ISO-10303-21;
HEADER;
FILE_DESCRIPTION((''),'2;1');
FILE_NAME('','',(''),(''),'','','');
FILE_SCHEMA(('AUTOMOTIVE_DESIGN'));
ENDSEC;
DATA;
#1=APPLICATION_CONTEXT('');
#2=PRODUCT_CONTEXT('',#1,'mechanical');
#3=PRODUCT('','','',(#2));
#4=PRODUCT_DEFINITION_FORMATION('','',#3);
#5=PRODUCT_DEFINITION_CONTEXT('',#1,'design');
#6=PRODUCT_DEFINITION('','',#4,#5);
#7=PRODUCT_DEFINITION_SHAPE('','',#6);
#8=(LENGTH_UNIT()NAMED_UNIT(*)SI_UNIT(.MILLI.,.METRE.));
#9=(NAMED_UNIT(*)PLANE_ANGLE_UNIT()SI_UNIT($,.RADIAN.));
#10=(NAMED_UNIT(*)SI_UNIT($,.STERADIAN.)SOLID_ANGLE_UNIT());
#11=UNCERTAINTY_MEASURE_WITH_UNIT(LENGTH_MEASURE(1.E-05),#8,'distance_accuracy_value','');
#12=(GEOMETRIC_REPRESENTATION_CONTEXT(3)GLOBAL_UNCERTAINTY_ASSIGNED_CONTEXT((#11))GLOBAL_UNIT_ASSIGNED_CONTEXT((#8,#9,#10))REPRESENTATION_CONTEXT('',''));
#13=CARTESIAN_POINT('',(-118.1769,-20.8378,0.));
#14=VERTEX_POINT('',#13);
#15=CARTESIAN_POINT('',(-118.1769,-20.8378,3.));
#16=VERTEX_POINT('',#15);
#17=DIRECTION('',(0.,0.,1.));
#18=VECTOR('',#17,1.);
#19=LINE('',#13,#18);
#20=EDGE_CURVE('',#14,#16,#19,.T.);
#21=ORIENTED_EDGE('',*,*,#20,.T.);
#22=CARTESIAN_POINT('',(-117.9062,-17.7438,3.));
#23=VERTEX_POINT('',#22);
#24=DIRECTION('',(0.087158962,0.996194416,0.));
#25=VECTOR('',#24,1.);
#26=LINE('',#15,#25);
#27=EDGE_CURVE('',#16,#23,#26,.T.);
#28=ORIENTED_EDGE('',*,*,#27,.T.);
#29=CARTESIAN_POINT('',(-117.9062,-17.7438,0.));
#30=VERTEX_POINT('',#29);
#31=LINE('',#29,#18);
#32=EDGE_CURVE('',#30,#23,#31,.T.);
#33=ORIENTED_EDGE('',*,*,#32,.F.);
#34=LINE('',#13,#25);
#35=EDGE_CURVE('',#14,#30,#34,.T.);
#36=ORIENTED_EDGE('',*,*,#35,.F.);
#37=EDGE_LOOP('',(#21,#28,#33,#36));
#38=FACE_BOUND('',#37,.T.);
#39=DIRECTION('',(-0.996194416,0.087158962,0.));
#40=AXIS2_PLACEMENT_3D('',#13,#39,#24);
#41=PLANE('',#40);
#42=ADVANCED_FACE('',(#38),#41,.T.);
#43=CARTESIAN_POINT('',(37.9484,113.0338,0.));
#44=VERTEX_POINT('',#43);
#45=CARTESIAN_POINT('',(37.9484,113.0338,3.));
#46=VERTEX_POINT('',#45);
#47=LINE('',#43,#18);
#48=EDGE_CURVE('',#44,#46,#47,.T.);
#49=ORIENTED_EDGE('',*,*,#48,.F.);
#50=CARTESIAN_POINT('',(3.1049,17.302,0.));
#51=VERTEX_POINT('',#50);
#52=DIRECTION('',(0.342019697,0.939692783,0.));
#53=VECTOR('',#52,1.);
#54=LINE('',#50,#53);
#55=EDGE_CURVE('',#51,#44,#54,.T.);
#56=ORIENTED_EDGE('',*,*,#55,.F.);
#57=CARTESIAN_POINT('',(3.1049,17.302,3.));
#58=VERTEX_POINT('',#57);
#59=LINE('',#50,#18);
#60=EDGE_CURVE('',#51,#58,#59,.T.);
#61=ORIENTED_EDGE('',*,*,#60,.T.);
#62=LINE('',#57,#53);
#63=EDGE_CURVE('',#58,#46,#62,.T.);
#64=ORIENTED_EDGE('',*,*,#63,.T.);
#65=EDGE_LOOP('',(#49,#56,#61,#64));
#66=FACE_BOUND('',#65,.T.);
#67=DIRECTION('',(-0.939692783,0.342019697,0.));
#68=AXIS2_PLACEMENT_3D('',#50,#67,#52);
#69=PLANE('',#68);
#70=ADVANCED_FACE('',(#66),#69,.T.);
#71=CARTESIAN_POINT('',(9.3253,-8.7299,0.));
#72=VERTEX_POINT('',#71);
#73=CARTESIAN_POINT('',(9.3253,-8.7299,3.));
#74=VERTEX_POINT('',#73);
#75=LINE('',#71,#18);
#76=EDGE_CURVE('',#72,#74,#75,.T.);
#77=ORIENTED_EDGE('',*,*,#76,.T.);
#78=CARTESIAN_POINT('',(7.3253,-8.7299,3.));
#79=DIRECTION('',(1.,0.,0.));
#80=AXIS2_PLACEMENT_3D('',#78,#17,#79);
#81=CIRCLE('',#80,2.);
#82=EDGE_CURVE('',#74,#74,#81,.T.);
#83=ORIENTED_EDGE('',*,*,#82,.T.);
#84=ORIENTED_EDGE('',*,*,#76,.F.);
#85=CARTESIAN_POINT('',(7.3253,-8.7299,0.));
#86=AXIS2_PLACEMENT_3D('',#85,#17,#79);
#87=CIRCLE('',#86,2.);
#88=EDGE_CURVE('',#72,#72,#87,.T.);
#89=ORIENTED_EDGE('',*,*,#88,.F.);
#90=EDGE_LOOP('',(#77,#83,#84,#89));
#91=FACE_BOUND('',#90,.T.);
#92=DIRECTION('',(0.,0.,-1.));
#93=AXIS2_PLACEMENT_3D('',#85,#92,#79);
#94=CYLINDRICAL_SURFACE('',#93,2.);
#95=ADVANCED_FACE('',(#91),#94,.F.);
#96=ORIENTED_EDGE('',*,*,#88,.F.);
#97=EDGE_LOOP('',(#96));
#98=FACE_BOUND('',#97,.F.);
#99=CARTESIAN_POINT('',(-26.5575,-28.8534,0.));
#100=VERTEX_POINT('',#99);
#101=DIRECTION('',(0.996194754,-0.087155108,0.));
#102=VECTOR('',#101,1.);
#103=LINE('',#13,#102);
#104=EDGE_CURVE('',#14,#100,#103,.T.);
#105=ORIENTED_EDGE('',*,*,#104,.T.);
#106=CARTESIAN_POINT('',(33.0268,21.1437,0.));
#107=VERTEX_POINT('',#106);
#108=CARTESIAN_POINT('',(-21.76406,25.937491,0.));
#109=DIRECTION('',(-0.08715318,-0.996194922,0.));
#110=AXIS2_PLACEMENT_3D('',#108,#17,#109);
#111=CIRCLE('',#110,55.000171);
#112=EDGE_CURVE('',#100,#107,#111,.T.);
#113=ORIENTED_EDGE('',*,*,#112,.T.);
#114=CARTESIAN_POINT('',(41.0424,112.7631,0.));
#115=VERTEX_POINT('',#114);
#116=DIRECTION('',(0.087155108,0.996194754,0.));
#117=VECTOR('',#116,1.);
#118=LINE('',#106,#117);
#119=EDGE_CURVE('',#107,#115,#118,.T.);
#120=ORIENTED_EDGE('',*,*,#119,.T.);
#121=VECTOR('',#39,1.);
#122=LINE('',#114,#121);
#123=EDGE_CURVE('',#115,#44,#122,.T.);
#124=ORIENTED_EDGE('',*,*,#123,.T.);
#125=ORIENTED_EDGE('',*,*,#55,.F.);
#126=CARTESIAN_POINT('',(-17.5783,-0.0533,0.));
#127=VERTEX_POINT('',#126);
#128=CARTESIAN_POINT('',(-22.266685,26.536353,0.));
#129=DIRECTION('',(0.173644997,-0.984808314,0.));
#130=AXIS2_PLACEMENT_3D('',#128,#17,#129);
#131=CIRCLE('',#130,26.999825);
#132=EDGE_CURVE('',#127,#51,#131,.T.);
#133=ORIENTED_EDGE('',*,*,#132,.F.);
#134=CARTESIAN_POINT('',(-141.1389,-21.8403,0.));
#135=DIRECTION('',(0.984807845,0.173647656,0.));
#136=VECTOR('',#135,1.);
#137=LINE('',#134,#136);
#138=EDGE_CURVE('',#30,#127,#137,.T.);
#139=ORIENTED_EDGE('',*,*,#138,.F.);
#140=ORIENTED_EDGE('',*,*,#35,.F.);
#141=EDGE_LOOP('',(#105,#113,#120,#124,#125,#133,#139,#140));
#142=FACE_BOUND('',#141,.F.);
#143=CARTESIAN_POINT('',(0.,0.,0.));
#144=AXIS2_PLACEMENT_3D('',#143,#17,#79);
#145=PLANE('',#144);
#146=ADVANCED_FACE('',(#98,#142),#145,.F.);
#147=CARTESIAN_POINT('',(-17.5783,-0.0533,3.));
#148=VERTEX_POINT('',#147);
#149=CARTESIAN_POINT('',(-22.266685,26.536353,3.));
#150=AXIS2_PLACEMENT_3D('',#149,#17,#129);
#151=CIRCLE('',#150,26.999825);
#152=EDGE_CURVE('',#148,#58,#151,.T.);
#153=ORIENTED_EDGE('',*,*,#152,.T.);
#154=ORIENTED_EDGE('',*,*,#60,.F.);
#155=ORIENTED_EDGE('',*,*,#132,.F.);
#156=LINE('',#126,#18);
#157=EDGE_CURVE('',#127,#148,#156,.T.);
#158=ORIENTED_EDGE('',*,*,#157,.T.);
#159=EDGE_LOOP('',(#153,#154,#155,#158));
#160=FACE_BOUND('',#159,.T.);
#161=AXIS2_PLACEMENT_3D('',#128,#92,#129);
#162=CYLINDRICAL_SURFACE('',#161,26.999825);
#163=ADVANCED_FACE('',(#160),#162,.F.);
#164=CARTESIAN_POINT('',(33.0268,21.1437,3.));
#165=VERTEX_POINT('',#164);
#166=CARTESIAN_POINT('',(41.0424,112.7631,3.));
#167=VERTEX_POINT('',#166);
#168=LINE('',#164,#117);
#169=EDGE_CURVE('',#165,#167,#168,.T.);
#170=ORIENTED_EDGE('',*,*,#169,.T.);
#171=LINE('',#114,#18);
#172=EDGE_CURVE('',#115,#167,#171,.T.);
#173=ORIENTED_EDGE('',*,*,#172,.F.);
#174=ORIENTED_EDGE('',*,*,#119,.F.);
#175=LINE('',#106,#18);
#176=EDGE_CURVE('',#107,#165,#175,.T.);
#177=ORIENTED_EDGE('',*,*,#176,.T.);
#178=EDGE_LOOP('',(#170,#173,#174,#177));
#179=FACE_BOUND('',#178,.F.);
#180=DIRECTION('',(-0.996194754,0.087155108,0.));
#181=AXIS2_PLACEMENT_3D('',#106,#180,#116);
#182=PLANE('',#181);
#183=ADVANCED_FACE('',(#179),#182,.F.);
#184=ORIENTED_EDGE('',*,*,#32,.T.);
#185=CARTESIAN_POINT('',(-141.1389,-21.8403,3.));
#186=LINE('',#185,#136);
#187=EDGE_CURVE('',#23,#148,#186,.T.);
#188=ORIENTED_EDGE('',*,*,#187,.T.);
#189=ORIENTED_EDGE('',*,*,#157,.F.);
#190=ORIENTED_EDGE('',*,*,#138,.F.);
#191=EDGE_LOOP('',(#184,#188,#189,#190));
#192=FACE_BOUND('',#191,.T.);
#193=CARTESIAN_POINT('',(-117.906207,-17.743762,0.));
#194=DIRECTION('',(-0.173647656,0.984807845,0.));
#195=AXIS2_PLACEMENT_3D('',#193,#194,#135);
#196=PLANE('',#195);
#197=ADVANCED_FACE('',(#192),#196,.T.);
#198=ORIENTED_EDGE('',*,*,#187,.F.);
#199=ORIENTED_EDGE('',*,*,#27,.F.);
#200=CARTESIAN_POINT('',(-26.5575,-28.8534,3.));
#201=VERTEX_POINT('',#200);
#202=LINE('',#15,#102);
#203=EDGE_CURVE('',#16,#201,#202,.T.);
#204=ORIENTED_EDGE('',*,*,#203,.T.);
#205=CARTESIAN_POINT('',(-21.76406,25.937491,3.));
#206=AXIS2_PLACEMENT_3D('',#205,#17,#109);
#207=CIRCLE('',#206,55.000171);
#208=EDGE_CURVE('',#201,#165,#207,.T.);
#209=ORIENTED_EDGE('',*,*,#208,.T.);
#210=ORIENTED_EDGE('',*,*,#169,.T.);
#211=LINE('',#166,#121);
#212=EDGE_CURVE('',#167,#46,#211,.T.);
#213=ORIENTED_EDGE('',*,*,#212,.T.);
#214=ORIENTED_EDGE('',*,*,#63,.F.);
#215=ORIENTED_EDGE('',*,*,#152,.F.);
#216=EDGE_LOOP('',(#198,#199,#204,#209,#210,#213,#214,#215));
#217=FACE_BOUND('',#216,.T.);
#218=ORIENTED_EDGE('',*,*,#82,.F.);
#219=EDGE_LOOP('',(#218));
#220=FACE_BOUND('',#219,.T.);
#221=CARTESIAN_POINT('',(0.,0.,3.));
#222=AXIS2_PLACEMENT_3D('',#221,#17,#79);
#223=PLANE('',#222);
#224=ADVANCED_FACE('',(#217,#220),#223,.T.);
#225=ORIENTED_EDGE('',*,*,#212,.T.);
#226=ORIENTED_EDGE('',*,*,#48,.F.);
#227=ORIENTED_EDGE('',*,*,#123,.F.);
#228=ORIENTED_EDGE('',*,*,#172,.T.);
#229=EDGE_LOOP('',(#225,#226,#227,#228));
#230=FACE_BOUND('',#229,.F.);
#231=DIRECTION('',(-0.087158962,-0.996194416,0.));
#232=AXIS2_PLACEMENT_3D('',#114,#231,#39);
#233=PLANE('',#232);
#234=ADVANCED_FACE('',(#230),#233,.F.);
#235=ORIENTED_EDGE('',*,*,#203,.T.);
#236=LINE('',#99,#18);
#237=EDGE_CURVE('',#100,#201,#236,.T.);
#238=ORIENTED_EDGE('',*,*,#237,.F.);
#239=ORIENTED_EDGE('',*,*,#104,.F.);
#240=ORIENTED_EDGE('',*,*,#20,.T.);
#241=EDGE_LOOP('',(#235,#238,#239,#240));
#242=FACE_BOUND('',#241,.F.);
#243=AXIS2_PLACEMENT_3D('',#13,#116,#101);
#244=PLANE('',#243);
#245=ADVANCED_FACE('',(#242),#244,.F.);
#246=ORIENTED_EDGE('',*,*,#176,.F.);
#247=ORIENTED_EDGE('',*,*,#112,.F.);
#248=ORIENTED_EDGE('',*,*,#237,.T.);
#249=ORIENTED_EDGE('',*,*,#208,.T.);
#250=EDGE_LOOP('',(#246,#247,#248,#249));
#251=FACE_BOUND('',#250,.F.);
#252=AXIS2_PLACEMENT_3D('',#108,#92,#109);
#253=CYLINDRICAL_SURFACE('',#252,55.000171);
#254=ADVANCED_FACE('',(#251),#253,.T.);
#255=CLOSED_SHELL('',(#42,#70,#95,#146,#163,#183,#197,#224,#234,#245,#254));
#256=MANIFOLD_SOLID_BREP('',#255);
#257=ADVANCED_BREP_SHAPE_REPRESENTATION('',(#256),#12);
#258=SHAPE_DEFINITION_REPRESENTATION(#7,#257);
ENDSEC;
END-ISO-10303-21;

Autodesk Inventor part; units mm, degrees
ref_plane "YZ Plane" through (0, 0, 0) normal (1, 0, 0) x (0, 1, 0)
ref_plane "XZ Plane" through (0, 0, 0) normal (0, 1, 0) x (-1, 0, 0)
ref_plane "XY Plane" through (0, 0, 0) normal (0, 0, 1) x (1, 0, 0)
sketch "草圖1" plane through (0, 0, 0) normal (0, 0, 1) x (1, 0, 0)
  arc A0 (-17.0574, -3.0077) -> (5.924, 16.276) centre (-22.2668, 26.5366) ccw
  line L0 (5.924, 16.276) -> (41.0424, 112.7631)
  line L1 (-118.1769, -20.8378) -> (-17.0574, -3.0077)
  line L2 (-118.1769, -20.8378) -> (-26.5575, -28.8534)
  arc A1 (-26.5575, -28.8534) -> (33.0268, 21.1437) centre (-21.764, 25.9373) ccw
  line L3 (33.0268, 21.1437) -> (41.0424, 112.7631)
  circle A2 centre (7.3253, -8.7299) radius 2
  arc A3 (-17.5783, -0.0533) -> (3.1049, 17.302) centre (-22.2668, 26.5366) ccw
  line L4 (3.1049, 17.302) -> (46.017, 135.2022)
  line L5 (46.017, 135.2022) -> (36.0153, 20.8822)
  arc A4 (-26.819, -31.842) -> (36.0153, 20.8822) centre (-21.764, 25.9373) ccw
  line L6 (-26.819, -31.842) -> (-141.1389, -21.8403)
  line L7 (-141.1389, -21.8403) -> (-17.5783, -0.0533)
  line L8 (41.0424, 112.7631) -> (37.9484, 113.0338)
  line L9 (-118.1769, -20.8378) -> (-117.9062, -17.7438)
  point P0 (0, 0)
  dimension "d0" = 55
  dimension "d1" = 4
  dimension "d2" = 23
  dimension "d3" = 23
  dimension "d6" = 3
extrude "擠出1" add sketch "草圖1" along normal blind 3 contours L1 L9 L7 A3 L4 L8 L0 A0 | A0 L0 L3 A1 L2 L1
sketch "草圖2" plane through (0, 0, 3) normal (0, 0, 1) x (1, 0, 0)
  arc A0 (-26.5575, -28.8534) -> (33.0268, 21.1437) centre (-21.764, 25.9373) ccw projected
  line L0 (33.0268, 21.1437) -> (41.0424, 112.7631) projected
  line L1 (41.0424, 112.7631) -> (37.9484, 113.0338) projected
  line L2 (37.9484, 113.0338) -> (3.1049, 17.302) projected
  arc A1 (-17.5783, -0.0533) -> (3.1049, 17.302) centre (-22.2668, 26.5366) ccw projected
  line L3 (-17.5783, -0.0533) -> (-117.9062, -17.7438) projected
  line L4 (-117.9062, -17.7438) -> (-118.1769, -20.8378) projected
  line L5 (-118.1769, -20.8378) -> (-26.5575, -28.8534) projected
  circle A2 centre (7.3253, -8.7299) radius 2 projected
  point P0 (0, 0)
equation "\"d3\" = d2"
properties part number "sus_2"
